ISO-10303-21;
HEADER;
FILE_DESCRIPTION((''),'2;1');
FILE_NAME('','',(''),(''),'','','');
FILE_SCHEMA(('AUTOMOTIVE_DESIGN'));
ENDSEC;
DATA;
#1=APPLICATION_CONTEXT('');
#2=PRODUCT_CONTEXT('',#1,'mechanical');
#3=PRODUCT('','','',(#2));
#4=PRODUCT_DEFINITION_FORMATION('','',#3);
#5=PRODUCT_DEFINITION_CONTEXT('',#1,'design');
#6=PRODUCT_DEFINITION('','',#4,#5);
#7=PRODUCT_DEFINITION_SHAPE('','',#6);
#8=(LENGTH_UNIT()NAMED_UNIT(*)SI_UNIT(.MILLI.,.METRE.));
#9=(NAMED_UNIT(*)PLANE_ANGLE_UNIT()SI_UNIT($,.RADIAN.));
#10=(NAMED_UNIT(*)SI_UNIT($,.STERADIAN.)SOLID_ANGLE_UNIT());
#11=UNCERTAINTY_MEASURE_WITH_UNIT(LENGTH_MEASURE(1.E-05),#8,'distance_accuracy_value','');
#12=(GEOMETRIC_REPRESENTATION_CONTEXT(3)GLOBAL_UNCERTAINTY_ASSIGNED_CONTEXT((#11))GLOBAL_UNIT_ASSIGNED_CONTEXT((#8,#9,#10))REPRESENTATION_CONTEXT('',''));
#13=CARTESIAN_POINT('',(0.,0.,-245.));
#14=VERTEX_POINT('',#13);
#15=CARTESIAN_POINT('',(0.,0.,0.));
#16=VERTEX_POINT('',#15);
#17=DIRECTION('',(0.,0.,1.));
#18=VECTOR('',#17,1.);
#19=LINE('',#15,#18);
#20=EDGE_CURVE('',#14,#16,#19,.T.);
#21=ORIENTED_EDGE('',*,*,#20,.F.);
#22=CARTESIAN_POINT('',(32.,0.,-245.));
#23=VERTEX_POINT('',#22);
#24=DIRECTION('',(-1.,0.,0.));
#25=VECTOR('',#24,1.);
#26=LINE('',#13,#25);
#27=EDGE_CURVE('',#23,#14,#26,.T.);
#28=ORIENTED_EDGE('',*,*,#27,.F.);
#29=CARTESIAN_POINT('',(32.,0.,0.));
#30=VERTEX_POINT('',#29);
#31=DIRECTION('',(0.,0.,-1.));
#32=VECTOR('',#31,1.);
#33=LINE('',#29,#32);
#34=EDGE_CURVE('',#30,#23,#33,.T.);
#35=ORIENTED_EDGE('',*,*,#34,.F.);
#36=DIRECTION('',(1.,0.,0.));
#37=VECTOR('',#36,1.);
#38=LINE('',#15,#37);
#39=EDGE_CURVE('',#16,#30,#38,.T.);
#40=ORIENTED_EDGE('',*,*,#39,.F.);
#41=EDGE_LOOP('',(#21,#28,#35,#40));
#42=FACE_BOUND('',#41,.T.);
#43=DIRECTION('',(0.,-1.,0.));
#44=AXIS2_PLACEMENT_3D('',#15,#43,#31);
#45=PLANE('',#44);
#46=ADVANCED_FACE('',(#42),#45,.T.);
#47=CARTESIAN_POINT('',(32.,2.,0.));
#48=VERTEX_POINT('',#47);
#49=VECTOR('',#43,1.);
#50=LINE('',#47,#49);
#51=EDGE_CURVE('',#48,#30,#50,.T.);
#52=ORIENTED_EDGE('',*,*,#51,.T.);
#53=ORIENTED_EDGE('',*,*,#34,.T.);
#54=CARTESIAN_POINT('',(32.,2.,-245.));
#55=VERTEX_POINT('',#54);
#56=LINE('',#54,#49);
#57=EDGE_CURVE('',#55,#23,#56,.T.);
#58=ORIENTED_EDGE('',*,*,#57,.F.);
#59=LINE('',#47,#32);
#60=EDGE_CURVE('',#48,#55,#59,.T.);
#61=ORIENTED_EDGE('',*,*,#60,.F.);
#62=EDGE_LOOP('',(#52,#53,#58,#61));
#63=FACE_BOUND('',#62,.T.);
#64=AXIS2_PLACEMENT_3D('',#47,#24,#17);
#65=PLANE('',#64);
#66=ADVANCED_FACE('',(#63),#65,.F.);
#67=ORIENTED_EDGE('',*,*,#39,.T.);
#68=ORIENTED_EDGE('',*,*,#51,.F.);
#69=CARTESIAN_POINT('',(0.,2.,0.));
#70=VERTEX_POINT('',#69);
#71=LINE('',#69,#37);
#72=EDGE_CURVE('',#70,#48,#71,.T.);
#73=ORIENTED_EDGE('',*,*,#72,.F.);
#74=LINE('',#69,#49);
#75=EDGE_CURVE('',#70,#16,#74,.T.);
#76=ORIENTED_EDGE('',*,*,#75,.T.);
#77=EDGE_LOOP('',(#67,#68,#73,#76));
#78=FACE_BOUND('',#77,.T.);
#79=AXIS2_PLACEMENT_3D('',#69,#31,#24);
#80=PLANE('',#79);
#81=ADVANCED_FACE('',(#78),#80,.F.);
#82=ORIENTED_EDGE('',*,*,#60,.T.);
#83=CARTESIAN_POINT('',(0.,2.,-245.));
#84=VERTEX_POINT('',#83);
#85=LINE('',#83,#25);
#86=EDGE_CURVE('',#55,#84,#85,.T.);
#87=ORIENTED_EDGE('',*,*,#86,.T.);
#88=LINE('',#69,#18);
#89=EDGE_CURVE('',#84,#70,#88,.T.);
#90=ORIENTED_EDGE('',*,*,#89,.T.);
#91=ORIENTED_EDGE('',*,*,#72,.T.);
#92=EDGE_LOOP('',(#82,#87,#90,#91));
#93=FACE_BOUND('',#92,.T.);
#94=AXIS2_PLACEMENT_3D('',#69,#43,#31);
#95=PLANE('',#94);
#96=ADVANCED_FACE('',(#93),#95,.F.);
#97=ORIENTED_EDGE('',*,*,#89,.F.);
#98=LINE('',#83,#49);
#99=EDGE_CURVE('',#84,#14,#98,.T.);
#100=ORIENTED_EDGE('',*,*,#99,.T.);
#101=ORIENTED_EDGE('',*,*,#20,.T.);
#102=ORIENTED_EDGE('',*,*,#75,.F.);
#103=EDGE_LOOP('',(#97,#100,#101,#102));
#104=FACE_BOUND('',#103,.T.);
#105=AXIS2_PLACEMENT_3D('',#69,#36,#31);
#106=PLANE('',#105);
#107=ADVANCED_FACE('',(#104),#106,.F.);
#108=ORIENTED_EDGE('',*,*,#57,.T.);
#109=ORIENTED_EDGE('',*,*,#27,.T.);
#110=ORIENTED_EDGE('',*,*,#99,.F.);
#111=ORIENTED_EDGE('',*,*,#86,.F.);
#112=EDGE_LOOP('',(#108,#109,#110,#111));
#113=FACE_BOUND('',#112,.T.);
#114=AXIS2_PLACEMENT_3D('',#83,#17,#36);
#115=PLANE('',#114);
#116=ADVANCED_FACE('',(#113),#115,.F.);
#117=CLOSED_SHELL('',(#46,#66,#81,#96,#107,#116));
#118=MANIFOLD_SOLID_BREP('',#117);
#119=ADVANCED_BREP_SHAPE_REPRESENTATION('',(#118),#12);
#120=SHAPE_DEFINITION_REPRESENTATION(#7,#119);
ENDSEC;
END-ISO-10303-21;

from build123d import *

# Parameters (mm, degrees)
SKETCH_1_W      = 32
SKETCH_1_H      = 245
EXTRUDE_1_DEPTH = 2


with BuildPart() as part:
    # 草图1 → 凸台-拉伸1 (new body)
    with BuildSketch(Plane(origin=(0, 0, 0), x_dir=(1, 0, 0), z_dir=(0, 1, 0))):
        with Locations((16, 122.5)):
            Rectangle(SKETCH_1_W, SKETCH_1_H)
    extrude(amount=EXTRUDE_1_DEPTH)


solid = part.part
